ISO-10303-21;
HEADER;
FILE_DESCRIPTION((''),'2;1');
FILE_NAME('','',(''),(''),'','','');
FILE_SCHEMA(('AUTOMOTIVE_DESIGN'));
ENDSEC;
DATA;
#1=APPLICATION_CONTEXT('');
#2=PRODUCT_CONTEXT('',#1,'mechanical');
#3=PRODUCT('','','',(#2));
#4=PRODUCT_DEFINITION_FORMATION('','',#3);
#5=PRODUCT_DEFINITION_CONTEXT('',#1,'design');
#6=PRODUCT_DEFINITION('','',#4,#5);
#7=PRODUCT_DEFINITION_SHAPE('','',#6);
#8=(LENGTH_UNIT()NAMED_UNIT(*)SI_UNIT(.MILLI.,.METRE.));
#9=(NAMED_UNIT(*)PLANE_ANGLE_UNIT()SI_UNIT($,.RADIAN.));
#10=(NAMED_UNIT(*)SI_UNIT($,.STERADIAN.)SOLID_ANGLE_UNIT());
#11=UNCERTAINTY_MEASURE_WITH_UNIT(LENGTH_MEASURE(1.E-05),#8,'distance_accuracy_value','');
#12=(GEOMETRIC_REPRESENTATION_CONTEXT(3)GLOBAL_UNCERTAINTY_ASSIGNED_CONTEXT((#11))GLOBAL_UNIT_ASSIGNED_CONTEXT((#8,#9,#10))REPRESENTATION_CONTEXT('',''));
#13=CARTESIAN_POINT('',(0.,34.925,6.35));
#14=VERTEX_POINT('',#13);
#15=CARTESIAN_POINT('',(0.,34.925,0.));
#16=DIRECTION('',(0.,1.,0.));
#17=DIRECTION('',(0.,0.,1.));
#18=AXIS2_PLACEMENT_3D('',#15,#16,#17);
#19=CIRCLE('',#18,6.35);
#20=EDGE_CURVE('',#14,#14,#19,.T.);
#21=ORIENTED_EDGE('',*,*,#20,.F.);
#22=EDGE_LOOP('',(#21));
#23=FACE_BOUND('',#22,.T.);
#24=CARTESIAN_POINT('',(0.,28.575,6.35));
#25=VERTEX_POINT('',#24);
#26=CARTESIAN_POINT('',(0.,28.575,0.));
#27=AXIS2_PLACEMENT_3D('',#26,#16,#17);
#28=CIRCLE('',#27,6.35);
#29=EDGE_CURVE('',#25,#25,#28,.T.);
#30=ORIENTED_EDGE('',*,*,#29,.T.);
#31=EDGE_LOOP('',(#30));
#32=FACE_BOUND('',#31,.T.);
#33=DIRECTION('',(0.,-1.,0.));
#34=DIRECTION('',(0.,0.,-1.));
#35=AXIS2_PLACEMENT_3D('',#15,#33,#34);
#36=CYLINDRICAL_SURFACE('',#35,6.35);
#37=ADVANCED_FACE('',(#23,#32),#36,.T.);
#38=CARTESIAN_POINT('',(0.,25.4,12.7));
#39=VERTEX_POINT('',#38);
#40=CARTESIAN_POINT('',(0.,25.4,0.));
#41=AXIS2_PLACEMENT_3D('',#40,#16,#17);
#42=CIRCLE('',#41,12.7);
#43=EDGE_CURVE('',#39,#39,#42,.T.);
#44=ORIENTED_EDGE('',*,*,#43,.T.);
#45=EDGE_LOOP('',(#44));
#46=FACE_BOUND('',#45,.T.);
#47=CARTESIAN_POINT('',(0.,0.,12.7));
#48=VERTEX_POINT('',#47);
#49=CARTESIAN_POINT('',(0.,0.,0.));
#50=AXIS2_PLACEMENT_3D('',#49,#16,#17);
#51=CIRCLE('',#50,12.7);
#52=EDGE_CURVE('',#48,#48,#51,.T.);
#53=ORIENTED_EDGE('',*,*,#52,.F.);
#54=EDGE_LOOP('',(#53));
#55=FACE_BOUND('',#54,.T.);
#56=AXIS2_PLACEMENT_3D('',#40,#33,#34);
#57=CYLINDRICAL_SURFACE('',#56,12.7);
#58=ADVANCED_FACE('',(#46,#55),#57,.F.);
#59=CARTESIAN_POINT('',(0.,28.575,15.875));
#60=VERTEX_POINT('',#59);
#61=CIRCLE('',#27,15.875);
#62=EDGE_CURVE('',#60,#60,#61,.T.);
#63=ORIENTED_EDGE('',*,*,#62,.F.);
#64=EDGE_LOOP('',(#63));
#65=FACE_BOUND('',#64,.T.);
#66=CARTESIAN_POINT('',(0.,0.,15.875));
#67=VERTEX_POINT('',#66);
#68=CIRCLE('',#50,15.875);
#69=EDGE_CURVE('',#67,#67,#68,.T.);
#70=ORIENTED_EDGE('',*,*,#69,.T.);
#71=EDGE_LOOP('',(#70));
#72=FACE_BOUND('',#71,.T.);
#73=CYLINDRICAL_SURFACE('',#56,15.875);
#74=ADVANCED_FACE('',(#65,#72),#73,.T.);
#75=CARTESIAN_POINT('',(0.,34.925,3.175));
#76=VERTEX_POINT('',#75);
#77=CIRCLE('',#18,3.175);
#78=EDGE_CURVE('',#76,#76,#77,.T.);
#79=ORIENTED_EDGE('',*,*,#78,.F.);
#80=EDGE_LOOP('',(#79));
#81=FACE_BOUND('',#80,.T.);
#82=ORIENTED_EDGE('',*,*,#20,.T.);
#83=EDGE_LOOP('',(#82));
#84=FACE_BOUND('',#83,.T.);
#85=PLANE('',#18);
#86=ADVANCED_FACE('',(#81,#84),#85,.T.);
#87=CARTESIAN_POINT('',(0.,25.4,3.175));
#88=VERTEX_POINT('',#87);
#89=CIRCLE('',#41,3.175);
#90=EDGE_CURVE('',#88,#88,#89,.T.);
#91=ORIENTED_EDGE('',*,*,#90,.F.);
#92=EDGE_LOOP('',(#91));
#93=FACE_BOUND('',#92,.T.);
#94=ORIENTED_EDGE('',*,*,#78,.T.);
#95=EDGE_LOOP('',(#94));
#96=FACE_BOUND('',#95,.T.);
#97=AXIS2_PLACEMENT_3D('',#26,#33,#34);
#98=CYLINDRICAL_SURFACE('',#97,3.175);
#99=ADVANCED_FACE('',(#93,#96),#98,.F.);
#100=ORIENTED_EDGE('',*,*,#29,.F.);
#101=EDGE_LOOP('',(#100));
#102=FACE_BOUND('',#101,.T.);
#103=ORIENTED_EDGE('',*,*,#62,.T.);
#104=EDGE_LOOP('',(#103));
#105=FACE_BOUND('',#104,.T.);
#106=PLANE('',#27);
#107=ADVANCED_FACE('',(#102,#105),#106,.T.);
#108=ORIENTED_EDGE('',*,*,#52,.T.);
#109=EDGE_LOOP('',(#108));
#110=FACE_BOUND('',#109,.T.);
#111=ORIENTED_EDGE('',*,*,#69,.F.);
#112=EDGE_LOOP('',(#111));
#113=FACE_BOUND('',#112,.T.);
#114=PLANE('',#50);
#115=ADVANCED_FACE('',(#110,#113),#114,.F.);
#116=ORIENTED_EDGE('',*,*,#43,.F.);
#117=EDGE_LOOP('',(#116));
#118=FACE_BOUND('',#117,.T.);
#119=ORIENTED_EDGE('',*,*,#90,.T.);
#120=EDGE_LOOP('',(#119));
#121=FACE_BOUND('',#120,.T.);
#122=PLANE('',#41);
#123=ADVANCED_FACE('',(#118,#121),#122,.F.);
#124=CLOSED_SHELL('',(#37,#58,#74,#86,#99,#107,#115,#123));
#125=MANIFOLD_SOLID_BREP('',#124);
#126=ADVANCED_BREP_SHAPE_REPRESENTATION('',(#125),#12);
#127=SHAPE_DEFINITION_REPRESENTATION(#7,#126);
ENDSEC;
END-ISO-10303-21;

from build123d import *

# Parameters (mm, degrees)
SKETCH1_R           = 15.875
SKETCH1_R_2         = 12.7
BOSS_EXTRUDE1_DEPTH = 25.4
SKETCH2_R           = 15.875
SKETCH2_R_2         = 3.175
BOSS_EXTRUDE2_DEPTH = 3.175
SKETCH3_R           = 6.35
SKETCH3_R_2         = 3.175
BOSS_EXTRUDE3_DEPTH = 6.35


with BuildPart() as part:
    # Sketch1 → Boss-Extrude1 (new body)
    with BuildSketch(Plane(origin=(0, 0, 0), x_dir=(1, 0, 0), z_dir=(0, 1, 0))):
        with Locations(Location((0, 0, 0), (0, 0, 270))):
            Circle(SKETCH1_R)
        with Locations(Location((0, 0, 0), (0, 0, 270))):
            Circle(SKETCH1_R_2, mode=Mode.SUBTRACT)
    extrude(amount=BOSS_EXTRUDE1_DEPTH)

    # Sketch2 → Boss-Extrude2 (add)
    with BuildSketch(Plane(origin=(0, 25.4, 0), x_dir=(1, 0, 0), z_dir=(0, 1, 0))):
        with Locations(Location((0, 0, 0), (0, 0, 270))):
            Circle(SKETCH2_R)
        with Locations(Location((0, 0, 0), (0, 0, 270))):
            Circle(SKETCH2_R_2, mode=Mode.SUBTRACT)
    extrude(amount=BOSS_EXTRUDE2_DEPTH)

    # Sketch3 → Boss-Extrude3 (add)
    with BuildSketch(Plane(origin=(0, 28.575, 0), x_dir=(1, 0, 0), z_dir=(0, 1, 0))):
        with Locations(Location((0, 0, 0), (0, 0, 270))):
            Circle(SKETCH3_R)
        with Locations(Location((0, 0, 0), (0, 0, 270))):
            Circle(SKETCH3_R_2, mode=Mode.SUBTRACT)
    extrude(amount=BOSS_EXTRUDE3_DEPTH)


solid = part.part
